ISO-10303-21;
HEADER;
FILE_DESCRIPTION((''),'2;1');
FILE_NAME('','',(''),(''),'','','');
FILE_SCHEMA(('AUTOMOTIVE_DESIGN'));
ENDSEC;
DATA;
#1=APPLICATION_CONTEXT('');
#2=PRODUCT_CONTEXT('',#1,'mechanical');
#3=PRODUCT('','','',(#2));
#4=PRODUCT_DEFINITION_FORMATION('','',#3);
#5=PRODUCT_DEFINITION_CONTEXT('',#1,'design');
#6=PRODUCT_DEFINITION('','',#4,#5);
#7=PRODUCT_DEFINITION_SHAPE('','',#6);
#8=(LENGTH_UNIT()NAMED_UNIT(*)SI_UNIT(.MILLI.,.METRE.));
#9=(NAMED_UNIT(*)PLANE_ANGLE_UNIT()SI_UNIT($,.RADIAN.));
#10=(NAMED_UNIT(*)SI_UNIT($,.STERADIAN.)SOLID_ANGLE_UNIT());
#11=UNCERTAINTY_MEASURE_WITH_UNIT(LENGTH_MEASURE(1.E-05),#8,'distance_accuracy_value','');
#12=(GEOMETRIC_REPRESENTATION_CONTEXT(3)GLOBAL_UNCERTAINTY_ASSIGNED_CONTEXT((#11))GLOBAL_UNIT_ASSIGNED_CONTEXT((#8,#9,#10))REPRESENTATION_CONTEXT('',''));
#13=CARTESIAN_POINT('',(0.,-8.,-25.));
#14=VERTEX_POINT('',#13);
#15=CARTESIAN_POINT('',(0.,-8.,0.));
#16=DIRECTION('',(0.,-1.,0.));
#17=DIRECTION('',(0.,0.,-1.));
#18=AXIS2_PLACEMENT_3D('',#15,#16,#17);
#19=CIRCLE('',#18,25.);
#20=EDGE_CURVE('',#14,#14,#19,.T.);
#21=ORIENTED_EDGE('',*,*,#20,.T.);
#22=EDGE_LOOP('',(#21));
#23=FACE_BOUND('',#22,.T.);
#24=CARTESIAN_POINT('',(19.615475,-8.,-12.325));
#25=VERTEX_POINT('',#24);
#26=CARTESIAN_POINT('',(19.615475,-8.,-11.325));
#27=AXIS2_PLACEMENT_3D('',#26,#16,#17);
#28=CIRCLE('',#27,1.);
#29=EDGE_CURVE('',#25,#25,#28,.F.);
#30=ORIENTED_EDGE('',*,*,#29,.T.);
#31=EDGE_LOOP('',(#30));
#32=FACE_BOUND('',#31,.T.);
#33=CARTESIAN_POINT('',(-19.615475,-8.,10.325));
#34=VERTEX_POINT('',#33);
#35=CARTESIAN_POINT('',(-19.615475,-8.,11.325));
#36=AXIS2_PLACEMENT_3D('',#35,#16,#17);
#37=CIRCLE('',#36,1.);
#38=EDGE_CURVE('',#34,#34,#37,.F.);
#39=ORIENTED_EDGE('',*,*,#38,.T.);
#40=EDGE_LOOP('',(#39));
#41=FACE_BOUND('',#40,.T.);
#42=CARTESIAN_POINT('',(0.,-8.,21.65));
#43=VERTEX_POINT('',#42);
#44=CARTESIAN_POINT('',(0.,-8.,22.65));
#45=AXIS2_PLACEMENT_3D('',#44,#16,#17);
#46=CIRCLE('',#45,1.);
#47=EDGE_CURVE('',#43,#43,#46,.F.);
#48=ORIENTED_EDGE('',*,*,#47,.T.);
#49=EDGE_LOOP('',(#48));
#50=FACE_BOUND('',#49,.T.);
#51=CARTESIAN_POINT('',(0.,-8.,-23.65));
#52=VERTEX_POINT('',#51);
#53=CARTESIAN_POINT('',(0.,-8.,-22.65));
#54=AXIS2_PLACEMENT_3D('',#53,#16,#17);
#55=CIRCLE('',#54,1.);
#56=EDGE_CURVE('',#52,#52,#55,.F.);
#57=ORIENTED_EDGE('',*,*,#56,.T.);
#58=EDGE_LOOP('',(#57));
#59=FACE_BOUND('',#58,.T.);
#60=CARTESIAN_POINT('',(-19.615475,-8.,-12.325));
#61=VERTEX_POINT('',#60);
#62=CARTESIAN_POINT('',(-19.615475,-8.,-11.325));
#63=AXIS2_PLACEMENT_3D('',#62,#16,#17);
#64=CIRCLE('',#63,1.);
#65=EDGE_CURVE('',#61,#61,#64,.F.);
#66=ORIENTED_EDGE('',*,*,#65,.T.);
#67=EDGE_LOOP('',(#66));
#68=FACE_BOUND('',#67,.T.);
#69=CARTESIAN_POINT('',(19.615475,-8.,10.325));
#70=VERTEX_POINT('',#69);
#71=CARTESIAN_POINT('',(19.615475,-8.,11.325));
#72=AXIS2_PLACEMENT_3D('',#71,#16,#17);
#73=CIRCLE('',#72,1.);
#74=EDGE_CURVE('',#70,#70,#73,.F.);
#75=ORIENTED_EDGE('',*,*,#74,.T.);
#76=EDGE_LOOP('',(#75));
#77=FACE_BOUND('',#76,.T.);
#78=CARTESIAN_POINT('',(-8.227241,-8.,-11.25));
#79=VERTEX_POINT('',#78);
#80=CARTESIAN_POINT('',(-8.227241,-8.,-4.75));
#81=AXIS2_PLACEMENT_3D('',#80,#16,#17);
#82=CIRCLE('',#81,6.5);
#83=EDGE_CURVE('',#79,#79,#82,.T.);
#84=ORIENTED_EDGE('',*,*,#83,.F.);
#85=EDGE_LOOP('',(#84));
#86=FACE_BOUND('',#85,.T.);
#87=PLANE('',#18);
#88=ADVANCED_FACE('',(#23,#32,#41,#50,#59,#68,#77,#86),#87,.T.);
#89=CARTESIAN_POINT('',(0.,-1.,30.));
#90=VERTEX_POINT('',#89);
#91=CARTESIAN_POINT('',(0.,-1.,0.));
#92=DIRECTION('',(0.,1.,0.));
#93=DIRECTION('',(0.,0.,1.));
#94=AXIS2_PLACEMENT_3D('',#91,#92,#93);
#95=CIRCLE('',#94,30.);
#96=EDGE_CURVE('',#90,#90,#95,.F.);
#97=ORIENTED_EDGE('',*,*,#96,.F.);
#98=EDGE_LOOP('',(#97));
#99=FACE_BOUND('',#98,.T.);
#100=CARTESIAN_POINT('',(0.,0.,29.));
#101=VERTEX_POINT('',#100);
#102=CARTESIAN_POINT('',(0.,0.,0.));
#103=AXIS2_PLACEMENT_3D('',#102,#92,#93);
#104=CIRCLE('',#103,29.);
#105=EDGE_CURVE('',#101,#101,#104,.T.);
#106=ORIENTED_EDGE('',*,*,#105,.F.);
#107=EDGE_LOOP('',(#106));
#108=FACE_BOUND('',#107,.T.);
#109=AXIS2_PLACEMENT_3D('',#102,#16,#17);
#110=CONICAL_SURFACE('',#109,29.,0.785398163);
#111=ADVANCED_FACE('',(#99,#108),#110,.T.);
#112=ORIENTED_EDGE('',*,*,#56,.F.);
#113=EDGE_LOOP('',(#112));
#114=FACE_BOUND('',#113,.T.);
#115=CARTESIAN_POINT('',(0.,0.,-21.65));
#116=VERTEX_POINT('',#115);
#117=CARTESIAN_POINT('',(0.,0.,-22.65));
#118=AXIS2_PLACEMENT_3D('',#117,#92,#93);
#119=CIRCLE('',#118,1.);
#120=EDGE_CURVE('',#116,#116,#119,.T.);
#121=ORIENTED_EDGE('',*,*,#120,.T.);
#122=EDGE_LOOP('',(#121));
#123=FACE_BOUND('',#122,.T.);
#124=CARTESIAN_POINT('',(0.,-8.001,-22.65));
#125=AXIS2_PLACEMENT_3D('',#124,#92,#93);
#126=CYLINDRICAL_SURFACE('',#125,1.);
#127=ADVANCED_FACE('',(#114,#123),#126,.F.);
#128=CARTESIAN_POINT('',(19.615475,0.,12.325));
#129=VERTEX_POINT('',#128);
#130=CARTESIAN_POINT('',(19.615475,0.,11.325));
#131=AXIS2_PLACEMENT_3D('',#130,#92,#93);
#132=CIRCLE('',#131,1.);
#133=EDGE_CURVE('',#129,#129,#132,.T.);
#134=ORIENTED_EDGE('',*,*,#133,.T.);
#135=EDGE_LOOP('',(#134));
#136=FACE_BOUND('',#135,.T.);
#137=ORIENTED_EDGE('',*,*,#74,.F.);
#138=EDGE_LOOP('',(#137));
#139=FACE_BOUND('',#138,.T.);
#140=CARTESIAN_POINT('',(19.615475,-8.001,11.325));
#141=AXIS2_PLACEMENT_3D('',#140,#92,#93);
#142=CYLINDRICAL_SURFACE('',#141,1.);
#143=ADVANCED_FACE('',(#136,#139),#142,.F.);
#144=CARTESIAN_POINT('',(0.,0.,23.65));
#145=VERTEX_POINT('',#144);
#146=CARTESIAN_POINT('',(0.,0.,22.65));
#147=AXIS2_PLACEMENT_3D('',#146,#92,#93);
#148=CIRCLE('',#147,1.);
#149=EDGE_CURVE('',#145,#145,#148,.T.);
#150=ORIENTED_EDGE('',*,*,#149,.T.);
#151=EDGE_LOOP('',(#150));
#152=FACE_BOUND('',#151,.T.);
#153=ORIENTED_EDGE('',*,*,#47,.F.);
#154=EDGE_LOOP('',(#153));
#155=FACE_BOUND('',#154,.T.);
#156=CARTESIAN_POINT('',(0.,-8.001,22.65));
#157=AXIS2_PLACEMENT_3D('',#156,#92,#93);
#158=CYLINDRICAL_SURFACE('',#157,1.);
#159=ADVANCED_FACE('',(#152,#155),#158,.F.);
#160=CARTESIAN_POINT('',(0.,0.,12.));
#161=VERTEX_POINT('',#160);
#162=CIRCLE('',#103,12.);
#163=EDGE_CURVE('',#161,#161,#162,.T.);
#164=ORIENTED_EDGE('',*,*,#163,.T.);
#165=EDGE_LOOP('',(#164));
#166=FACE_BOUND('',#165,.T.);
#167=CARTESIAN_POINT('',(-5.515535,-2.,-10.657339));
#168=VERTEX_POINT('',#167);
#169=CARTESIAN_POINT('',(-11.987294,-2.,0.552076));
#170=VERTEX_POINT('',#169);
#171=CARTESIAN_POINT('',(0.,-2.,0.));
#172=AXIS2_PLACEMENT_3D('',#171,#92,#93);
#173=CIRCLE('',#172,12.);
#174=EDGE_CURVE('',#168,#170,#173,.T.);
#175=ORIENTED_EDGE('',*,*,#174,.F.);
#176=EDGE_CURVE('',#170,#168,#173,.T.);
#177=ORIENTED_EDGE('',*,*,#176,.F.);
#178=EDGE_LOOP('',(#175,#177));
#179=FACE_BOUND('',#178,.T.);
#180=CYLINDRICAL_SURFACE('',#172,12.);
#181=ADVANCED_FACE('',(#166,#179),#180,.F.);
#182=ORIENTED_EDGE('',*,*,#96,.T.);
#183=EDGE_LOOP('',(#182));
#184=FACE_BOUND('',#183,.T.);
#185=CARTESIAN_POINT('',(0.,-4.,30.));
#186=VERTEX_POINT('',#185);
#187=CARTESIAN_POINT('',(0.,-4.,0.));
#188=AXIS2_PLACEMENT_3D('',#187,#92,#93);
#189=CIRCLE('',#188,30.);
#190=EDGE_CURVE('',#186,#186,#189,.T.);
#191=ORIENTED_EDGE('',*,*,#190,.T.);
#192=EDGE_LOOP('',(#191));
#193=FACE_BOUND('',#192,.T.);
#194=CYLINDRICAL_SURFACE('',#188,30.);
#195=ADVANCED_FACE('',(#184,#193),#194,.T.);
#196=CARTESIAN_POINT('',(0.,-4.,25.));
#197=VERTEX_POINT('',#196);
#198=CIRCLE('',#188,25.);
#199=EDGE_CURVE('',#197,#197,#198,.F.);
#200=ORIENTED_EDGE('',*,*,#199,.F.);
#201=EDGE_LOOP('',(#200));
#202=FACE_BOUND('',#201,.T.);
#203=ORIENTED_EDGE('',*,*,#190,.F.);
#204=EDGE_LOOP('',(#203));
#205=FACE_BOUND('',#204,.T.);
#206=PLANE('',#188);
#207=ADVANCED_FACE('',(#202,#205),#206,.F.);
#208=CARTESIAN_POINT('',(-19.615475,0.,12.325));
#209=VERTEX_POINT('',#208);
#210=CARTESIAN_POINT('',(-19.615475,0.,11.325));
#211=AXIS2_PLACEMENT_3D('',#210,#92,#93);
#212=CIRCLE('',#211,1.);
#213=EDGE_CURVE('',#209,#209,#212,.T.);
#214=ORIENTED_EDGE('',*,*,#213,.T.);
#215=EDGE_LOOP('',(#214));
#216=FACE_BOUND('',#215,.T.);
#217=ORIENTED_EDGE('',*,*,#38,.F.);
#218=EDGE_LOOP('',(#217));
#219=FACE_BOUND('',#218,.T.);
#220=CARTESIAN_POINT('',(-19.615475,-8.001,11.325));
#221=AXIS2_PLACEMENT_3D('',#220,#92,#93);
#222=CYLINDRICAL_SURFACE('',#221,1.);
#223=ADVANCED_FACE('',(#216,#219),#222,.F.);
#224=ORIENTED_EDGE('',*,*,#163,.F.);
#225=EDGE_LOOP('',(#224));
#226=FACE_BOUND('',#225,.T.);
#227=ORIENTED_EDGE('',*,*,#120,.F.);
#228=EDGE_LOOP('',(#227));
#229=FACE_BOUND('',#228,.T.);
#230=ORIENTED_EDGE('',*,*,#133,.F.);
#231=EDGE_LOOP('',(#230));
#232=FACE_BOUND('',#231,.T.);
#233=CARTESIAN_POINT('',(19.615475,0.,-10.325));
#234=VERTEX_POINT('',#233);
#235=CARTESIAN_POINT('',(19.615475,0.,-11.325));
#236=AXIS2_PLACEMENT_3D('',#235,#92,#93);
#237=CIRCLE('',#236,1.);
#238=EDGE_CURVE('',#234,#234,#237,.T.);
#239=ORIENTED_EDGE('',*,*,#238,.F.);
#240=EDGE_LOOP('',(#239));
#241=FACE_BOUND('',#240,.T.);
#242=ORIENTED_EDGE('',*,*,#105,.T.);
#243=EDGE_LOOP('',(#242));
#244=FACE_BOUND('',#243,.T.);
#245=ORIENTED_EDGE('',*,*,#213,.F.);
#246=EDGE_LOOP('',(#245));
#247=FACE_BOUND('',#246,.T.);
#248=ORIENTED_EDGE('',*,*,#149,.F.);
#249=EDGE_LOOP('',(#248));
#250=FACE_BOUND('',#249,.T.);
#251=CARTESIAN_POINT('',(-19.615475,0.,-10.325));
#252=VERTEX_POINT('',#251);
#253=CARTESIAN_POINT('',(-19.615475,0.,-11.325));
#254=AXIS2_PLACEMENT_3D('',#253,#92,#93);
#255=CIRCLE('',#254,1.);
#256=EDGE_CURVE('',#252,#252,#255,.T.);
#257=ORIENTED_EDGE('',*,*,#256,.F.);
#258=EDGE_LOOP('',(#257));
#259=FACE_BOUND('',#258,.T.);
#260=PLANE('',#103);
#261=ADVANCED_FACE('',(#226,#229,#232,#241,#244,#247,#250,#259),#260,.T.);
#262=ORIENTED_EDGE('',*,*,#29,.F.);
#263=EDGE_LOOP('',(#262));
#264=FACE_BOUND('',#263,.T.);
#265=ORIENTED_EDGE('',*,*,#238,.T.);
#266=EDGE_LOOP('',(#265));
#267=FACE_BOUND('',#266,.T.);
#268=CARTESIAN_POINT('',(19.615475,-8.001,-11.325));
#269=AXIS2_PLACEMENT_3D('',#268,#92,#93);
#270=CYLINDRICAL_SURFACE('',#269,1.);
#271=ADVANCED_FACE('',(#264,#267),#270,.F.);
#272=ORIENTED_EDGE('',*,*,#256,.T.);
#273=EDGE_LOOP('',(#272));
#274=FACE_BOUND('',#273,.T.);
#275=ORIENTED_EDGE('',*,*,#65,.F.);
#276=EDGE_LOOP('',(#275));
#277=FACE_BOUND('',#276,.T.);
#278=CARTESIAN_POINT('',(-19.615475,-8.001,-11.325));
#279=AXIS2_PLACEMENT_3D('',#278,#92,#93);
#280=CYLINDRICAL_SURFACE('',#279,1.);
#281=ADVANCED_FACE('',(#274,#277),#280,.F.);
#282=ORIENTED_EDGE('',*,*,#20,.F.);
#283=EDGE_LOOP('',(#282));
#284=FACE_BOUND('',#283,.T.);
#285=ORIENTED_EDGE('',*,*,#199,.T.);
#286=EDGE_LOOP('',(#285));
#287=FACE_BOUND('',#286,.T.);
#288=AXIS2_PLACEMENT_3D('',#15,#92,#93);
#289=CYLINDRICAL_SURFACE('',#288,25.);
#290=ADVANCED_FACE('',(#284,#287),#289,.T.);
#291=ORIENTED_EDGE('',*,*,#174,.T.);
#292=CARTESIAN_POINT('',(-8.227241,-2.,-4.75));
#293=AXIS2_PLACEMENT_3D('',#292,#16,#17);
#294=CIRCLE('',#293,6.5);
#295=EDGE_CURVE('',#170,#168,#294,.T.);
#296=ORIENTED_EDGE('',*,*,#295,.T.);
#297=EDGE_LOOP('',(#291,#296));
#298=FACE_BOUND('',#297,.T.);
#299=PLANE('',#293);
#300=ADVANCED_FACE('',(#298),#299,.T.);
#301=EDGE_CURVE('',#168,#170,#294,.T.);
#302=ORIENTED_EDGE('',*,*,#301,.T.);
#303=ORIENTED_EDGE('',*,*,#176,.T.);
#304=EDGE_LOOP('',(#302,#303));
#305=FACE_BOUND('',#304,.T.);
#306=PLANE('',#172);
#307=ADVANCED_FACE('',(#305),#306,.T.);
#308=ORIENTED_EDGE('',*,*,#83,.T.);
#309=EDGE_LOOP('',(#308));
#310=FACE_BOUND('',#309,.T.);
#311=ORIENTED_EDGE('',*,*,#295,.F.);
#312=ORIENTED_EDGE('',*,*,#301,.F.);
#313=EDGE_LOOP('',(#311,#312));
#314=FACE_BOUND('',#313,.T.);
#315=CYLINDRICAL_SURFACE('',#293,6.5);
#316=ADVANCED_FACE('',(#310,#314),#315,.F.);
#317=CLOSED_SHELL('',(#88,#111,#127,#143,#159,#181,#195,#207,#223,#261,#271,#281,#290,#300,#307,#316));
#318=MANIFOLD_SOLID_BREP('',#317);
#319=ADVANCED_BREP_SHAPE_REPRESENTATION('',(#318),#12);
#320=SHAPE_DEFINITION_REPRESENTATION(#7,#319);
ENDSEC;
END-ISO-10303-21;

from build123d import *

# Parameters (mm, degrees)
SKETCH_1_R          = 30
EXTRUDE_1_DEPTH     = 4
SKETCH_2_R          = 25
EXTRUDE_2_DEPTH     = 4
SKETCH_3_R          = 12
CUT_EXTRUDE_1_DEPTH = 2
SKETCH_4_R          = 6.5
CUT_EXTRUDE_2_DEPTH = 6
CHAMFER_1_SIZE      = 1
CUT_EXTRUDE_3_REACH = 10
SKETCH_5_R          = 1
SKETCH_6_R          = 6.5
EXTRUDE_4_DEPTH     = 6
SKETCH_9_R          = 6.5
CUT_EXTRUDE_5_DEPTH = 6


with BuildPart() as part:
    # ｽｹｯﾁ1 → ﾎﾞｽ - 押し出し1 (new body)
    with BuildSketch(Plane(origin=(0, 0, 0), x_dir=(1, 0, 0), z_dir=(0, 1, 0))):
        Circle(SKETCH_1_R)
    extrude(amount=-EXTRUDE_1_DEPTH)

    # ｽｹｯﾁ2 → ﾎﾞｽ - 押し出し2 (add)
    with BuildSketch(Plane.XZ.offset(4)):
        Circle(SKETCH_2_R)
    extrude(amount=EXTRUDE_2_DEPTH)

    # ｽｹｯﾁ3 → ｶｯﾄ - 押し出し1 (cut)
    with BuildSketch(Plane(origin=(0, 0, 0), x_dir=(1, 0, 0), z_dir=(0, 1, 0))):
        Circle(SKETCH_3_R)
    extrude(amount=-CUT_EXTRUDE_1_DEPTH, mode=Mode.SUBTRACT)

    # ｽｹｯﾁ4 → ｶｯﾄ - 押し出し2 (cut)
    with BuildSketch(Plane.XZ.offset(8)):
        with Locations((0, -14.5)):
            Circle(SKETCH_4_R)
    extrude(amount=-CUT_EXTRUDE_2_DEPTH, mode=Mode.SUBTRACT)

    # 面取り1
    chamfer_1_edges = [part.edges().sort_by_distance(p)[0] for p in [
        (-30, 0, 0),
    ]]
    chamfer(chamfer_1_edges, length=CHAMFER_1_SIZE)

    # ｽｹｯﾁ5 → ｶｯﾄ - 押し出し3 (cut, up to next)
    with BuildSketch(Plane(origin=(0, 0, 0), x_dir=(1, 0, 0), z_dir=(0, 1, 0)), mode=Mode.PRIVATE) as cut_extrude_3_sk1:
        with Locations((0, -22.65)):
            Circle(SKETCH_5_R)
    cut_extrude_3_tool1 = extrude(cut_extrude_3_sk1.sketch, amount=-CUT_EXTRUDE_3_REACH, mode=Mode.PRIVATE) & part.part
    add(cut_extrude_3_tool1.solids().sort_by_distance((0, 0, 22.65))[0], mode=Mode.SUBTRACT)
    # ｽｹｯﾁ5 → ｶｯﾄ - 押し出し3 (cut, up to next)
    with BuildSketch(Plane(origin=(0, 0, 0), x_dir=(1, 0, 0), z_dir=(0, 1, 0)), mode=Mode.PRIVATE) as cut_extrude_3_sk2:
        with Locations((-19.615475396, -11.325)):
            Circle(SKETCH_5_R)
    cut_extrude_3_tool2 = extrude(cut_extrude_3_sk2.sketch, amount=-CUT_EXTRUDE_3_REACH, mode=Mode.PRIVATE) & part.part
    add(cut_extrude_3_tool2.solids().sort_by_distance((-19.615475, 0, 11.325))[0], mode=Mode.SUBTRACT)
    # ｽｹｯﾁ5 → ｶｯﾄ - 押し出し3 (cut, up to next)
    with BuildSketch(Plane(origin=(0, 0, 0), x_dir=(1, 0, 0), z_dir=(0, 1, 0)), mode=Mode.PRIVATE) as cut_extrude_3_sk3:
        with Locations((-19.615475396, 11.325)):
            Circle(SKETCH_5_R)
    cut_extrude_3_tool3 = extrude(cut_extrude_3_sk3.sketch, amount=-CUT_EXTRUDE_3_REACH, mode=Mode.PRIVATE) & part.part
    add(cut_extrude_3_tool3.solids().sort_by_distance((-19.615475, 0, -11.325))[0], mode=Mode.SUBTRACT)
    # ｽｹｯﾁ5 → ｶｯﾄ - 押し出し3 (cut, up to next)
    with BuildSketch(Plane(origin=(0, 0, 0), x_dir=(1, 0, 0), z_dir=(0, 1, 0)), mode=Mode.PRIVATE) as cut_extrude_3_sk4:
        with Locations((0, 22.65)):
            Circle(SKETCH_5_R)
    cut_extrude_3_tool4 = extrude(cut_extrude_3_sk4.sketch, amount=-CUT_EXTRUDE_3_REACH, mode=Mode.PRIVATE) & part.part
    add(cut_extrude_3_tool4.solids().sort_by_distance((0, 0, -22.65))[0], mode=Mode.SUBTRACT)
    # ｽｹｯﾁ5 → ｶｯﾄ - 押し出し3 (cut, up to next)
    with BuildSketch(Plane(origin=(0, 0, 0), x_dir=(1, 0, 0), z_dir=(0, 1, 0)), mode=Mode.PRIVATE) as cut_extrude_3_sk5:
        with Locations((19.615475396, 11.325)):
            Circle(SKETCH_5_R)
    cut_extrude_3_tool5 = extrude(cut_extrude_3_sk5.sketch, amount=-CUT_EXTRUDE_3_REACH, mode=Mode.PRIVATE) & part.part
    add(cut_extrude_3_tool5.solids().sort_by_distance((19.615475, 0, -11.325))[0], mode=Mode.SUBTRACT)
    # ｽｹｯﾁ5 → ｶｯﾄ - 押し出し3 (cut, up to next)
    with BuildSketch(Plane(origin=(0, 0, 0), x_dir=(1, 0, 0), z_dir=(0, 1, 0)), mode=Mode.PRIVATE) as cut_extrude_3_sk6:
        with Locations((19.615475396, -11.325)):
            Circle(SKETCH_5_R)
    cut_extrude_3_tool6 = extrude(cut_extrude_3_sk6.sketch, amount=-CUT_EXTRUDE_3_REACH, mode=Mode.PRIVATE) & part.part
    add(cut_extrude_3_tool6.solids().sort_by_distance((19.615475, 0, 11.325))[0], mode=Mode.SUBTRACT)

    # ｽｹｯﾁ6 → ﾎﾞｽ - 押し出し4 (add)
    with BuildSketch(Plane.XZ.offset(8)):
        with Locations((0, -14.5)):
            Circle(SKETCH_6_R)
    extrude(amount=-EXTRUDE_4_DEPTH)

    # ｽｹｯﾁ9 → ｶｯﾄ - 押し出し5 (cut)
    with BuildSketch(Plane.XZ.offset(8)):
        with Locations((-8.227241336, -4.75)):
            Circle(SKETCH_9_R)
    extrude(amount=-CUT_EXTRUDE_5_DEPTH, mode=Mode.SUBTRACT)


solid = part.part
